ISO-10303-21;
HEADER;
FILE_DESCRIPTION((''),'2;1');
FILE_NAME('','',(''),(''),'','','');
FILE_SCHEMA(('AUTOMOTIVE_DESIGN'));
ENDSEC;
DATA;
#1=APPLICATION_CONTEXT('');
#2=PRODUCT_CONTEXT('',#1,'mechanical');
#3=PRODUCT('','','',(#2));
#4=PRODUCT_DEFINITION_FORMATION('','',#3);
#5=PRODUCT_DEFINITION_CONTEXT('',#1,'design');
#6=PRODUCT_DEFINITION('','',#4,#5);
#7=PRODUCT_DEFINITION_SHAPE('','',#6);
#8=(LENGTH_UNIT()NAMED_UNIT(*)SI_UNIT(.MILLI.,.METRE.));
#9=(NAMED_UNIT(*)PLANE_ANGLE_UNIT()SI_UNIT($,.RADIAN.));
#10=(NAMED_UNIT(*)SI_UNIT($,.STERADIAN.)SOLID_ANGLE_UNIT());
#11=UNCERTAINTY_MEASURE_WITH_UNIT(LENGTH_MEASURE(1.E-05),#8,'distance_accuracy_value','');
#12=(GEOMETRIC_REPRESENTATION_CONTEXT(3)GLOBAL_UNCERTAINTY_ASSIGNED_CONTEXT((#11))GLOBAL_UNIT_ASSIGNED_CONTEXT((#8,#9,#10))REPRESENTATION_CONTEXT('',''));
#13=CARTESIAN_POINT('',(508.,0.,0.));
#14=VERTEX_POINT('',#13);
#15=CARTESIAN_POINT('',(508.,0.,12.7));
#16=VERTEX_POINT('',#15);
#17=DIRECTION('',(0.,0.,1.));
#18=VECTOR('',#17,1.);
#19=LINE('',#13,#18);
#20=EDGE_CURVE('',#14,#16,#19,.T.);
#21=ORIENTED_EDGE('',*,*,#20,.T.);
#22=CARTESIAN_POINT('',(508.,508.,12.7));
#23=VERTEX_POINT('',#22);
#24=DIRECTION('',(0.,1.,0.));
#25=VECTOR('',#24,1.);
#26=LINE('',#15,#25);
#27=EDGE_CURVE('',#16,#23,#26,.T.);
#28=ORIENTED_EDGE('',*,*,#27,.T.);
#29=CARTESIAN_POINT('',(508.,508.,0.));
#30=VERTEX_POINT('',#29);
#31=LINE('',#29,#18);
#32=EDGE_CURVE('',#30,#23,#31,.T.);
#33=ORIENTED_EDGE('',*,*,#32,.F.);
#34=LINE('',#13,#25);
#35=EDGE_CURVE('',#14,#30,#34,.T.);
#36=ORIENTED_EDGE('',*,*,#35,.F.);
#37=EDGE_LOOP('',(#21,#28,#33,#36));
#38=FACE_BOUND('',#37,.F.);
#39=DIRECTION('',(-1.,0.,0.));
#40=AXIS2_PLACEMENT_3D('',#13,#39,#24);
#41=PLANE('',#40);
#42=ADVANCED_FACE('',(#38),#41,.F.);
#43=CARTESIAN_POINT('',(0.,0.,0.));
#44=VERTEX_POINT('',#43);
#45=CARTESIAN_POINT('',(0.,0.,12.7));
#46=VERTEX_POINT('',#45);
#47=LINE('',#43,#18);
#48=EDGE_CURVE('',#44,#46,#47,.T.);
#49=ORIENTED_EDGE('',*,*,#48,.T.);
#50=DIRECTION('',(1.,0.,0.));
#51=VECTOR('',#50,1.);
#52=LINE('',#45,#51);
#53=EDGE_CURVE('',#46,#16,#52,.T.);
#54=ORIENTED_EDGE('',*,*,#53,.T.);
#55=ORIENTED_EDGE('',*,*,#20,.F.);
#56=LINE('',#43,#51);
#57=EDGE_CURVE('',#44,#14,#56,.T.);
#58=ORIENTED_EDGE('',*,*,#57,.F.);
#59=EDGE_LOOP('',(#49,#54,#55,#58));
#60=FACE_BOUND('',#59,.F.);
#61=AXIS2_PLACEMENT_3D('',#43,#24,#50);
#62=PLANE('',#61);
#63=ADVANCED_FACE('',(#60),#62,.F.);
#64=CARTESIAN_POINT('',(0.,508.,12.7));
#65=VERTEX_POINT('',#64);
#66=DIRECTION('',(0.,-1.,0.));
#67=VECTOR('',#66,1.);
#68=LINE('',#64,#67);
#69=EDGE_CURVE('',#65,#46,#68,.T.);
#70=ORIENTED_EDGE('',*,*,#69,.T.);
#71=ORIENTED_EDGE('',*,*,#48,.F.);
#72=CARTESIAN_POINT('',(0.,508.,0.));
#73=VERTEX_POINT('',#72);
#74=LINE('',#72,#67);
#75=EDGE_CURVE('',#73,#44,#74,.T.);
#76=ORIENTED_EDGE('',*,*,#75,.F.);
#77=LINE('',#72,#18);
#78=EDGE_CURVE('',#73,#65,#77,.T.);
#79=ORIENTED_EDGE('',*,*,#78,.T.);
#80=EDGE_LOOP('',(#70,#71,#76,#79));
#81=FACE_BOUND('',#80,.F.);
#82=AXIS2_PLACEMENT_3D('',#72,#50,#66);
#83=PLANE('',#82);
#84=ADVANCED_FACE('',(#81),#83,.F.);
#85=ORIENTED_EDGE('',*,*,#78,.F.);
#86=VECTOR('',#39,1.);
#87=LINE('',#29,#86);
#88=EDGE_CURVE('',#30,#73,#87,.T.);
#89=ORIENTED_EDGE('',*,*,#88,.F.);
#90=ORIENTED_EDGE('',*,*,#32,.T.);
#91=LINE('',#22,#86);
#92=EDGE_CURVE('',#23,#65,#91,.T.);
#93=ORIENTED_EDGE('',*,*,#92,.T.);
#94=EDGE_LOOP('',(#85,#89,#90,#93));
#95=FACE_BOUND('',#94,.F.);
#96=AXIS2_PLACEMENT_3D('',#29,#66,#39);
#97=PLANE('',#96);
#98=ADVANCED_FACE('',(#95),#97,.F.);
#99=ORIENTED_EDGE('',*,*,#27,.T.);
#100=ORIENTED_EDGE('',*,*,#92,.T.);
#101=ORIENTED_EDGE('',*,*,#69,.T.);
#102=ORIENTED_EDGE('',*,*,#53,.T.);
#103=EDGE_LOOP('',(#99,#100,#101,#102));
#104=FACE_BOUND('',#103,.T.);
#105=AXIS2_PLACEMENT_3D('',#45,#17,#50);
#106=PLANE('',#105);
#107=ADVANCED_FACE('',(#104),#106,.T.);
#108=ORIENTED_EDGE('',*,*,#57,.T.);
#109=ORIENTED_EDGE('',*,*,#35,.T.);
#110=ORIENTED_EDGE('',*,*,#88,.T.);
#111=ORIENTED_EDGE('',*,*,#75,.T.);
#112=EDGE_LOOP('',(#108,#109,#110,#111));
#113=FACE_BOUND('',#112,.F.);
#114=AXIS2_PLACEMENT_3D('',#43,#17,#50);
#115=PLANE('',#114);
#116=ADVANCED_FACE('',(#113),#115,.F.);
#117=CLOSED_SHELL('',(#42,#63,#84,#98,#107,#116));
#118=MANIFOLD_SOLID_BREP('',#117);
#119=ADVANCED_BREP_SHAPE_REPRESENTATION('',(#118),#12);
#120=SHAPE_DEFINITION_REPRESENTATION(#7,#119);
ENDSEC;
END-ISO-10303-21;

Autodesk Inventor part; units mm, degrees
ref_plane "YZ Plane" through (0, 0, 0) normal (1, 0, 0) x (0, 1, 0)
ref_plane "XZ Plane" through (0, 0, 0) normal (0, 1, 0) x (-1, 0, 0)
ref_plane "XY Plane" through (0, 0, 0) normal (0, 0, 1) x (1, 0, 0)
sketch "Sketch1" plane through (0, 0, 0) normal (0, 0, 1) x (1, 0, 0)
  line L0 (0, 0) -> (508, 0)
  line L1 (508, 0) -> (508, 508)
  line L2 (508, 508) -> (0, 508)
  line L3 (0, 508) -> (0, 0)
  dimension "d0" = 508
  dimension "d1" = 508
extrude "Extrusion1" add sketch "Sketch1" along normal blind 12.7
properties part number "Electrical Board"
